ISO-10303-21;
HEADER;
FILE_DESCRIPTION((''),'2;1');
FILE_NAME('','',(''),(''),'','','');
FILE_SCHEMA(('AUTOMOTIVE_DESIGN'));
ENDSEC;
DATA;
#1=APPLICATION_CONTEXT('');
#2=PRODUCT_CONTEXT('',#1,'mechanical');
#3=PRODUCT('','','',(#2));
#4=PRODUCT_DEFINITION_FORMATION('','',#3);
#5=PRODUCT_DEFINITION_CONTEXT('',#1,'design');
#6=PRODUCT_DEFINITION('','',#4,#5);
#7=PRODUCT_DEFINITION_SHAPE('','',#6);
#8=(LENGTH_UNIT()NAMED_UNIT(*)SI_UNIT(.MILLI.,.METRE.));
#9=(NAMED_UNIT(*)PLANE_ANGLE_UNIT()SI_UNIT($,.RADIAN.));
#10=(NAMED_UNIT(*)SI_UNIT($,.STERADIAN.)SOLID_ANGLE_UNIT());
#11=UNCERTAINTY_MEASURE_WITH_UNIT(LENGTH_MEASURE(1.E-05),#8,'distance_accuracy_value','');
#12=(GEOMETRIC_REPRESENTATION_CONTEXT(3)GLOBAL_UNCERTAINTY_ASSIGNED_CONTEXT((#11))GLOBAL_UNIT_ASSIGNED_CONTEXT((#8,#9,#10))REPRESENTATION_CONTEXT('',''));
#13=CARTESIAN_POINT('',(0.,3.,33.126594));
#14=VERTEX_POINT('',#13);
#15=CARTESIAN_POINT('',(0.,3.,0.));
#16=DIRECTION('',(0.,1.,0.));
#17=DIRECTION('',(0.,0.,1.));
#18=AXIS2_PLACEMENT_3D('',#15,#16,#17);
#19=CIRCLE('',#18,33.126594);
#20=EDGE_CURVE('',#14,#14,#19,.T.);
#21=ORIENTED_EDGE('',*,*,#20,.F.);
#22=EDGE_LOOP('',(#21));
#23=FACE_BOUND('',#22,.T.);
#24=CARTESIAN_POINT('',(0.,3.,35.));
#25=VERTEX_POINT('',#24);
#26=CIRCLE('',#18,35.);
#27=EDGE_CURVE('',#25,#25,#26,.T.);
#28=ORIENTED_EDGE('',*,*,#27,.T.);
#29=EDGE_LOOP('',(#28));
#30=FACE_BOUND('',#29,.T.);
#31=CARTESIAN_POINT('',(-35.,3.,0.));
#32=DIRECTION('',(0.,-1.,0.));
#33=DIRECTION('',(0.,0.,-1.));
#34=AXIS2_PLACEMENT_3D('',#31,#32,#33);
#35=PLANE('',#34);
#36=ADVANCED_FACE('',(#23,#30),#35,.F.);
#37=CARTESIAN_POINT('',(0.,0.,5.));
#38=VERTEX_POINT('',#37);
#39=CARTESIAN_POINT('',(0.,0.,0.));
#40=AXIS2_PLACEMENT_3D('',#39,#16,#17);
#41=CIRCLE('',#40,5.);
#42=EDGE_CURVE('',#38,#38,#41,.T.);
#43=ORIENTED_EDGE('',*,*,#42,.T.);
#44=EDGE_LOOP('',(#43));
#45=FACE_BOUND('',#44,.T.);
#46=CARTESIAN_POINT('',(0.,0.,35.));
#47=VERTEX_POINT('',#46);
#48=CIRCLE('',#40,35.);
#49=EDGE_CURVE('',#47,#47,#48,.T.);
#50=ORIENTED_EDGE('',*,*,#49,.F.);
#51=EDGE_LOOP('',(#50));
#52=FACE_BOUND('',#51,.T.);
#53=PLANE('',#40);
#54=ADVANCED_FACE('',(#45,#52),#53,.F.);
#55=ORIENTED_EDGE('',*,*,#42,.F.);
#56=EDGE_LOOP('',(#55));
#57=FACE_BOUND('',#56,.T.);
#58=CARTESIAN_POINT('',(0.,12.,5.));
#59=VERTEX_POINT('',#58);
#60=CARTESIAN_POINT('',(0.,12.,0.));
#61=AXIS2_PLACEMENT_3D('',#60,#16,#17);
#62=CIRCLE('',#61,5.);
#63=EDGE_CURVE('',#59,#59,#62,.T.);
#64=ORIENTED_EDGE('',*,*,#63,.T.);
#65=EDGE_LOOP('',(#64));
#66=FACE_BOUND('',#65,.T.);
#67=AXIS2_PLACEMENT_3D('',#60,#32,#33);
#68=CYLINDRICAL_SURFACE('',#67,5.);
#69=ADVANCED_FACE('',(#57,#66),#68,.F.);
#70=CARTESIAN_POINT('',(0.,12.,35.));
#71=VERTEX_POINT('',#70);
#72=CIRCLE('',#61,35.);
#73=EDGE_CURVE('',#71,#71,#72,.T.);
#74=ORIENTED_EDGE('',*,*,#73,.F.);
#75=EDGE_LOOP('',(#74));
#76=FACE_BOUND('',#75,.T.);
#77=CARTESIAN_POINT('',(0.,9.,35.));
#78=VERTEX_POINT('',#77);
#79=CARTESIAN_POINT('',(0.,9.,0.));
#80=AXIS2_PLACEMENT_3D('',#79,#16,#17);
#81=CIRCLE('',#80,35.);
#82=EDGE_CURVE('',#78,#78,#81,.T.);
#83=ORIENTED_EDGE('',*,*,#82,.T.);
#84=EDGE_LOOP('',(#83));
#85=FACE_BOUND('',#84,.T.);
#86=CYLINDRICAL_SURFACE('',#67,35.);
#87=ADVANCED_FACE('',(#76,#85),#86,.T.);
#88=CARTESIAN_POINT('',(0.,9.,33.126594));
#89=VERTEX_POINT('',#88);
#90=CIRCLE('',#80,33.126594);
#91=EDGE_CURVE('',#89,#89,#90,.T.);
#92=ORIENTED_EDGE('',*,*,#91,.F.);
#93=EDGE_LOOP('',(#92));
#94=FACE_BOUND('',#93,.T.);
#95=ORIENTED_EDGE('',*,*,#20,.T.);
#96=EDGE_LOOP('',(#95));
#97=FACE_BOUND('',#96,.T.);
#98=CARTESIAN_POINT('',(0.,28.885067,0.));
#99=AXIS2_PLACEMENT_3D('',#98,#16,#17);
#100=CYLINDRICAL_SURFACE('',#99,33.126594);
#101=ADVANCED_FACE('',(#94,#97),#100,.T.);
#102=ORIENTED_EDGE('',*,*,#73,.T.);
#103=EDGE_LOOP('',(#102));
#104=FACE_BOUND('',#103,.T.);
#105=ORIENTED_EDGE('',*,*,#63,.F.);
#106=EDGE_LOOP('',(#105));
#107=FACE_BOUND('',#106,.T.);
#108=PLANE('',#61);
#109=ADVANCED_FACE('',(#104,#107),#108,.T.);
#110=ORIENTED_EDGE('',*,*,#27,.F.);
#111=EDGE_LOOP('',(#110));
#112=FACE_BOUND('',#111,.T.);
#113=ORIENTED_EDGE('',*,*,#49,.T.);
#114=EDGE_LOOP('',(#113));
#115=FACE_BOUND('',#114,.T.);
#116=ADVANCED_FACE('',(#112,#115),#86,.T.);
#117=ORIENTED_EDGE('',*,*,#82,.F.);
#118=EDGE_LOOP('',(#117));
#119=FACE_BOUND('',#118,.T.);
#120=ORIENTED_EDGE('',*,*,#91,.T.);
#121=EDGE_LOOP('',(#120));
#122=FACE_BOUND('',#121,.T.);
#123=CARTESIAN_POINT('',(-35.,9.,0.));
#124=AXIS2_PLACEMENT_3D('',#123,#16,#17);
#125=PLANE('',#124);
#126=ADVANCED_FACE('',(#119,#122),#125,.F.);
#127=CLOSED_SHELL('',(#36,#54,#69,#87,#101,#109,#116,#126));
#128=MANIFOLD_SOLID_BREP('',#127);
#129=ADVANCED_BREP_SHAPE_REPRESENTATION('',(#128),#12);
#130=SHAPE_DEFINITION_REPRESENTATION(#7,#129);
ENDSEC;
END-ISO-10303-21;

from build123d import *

# Parameters (mm, degrees)
SKETCH1_R           = 35
SKETCH1_R_2         = 5
BOSS_EXTRUDE1_DEPTH = 12
SKETCH2_W           = 1.873405934
SKETCH2_H           = 6


with BuildPart() as part:
    # Sketch1 → Boss-Extrude1 (new body)
    with BuildSketch(Plane(origin=(0, 0, 0), x_dir=(1, 0, 0), z_dir=(0, 1, 0))):
        with Locations(Location((0, 0, 0), (0, 0, 270))):
            Circle(SKETCH1_R)
        with Locations(Location((0, 0, 0), (0, 0, 270))):
            Circle(SKETCH1_R_2, mode=Mode.SUBTRACT)
    extrude(amount=BOSS_EXTRUDE1_DEPTH)

    # Sketch2 → Cut-Revolve1 (revolve, cut)
    with BuildSketch(Plane.XY, mode=Mode.PRIVATE) as cut_revolve1_sk:
        with Locations((-34.063297033, 6)):
            Rectangle(SKETCH2_W, SKETCH2_H)
    revolve(cut_revolve1_sk.sketch.rotate(Axis((0, 28.885066711, 0), (0, -1, 0)), 270), axis=Axis((0, 28.885066711, 0), (0, -1, 0)), mode=Mode.SUBTRACT)


solid = part.part
